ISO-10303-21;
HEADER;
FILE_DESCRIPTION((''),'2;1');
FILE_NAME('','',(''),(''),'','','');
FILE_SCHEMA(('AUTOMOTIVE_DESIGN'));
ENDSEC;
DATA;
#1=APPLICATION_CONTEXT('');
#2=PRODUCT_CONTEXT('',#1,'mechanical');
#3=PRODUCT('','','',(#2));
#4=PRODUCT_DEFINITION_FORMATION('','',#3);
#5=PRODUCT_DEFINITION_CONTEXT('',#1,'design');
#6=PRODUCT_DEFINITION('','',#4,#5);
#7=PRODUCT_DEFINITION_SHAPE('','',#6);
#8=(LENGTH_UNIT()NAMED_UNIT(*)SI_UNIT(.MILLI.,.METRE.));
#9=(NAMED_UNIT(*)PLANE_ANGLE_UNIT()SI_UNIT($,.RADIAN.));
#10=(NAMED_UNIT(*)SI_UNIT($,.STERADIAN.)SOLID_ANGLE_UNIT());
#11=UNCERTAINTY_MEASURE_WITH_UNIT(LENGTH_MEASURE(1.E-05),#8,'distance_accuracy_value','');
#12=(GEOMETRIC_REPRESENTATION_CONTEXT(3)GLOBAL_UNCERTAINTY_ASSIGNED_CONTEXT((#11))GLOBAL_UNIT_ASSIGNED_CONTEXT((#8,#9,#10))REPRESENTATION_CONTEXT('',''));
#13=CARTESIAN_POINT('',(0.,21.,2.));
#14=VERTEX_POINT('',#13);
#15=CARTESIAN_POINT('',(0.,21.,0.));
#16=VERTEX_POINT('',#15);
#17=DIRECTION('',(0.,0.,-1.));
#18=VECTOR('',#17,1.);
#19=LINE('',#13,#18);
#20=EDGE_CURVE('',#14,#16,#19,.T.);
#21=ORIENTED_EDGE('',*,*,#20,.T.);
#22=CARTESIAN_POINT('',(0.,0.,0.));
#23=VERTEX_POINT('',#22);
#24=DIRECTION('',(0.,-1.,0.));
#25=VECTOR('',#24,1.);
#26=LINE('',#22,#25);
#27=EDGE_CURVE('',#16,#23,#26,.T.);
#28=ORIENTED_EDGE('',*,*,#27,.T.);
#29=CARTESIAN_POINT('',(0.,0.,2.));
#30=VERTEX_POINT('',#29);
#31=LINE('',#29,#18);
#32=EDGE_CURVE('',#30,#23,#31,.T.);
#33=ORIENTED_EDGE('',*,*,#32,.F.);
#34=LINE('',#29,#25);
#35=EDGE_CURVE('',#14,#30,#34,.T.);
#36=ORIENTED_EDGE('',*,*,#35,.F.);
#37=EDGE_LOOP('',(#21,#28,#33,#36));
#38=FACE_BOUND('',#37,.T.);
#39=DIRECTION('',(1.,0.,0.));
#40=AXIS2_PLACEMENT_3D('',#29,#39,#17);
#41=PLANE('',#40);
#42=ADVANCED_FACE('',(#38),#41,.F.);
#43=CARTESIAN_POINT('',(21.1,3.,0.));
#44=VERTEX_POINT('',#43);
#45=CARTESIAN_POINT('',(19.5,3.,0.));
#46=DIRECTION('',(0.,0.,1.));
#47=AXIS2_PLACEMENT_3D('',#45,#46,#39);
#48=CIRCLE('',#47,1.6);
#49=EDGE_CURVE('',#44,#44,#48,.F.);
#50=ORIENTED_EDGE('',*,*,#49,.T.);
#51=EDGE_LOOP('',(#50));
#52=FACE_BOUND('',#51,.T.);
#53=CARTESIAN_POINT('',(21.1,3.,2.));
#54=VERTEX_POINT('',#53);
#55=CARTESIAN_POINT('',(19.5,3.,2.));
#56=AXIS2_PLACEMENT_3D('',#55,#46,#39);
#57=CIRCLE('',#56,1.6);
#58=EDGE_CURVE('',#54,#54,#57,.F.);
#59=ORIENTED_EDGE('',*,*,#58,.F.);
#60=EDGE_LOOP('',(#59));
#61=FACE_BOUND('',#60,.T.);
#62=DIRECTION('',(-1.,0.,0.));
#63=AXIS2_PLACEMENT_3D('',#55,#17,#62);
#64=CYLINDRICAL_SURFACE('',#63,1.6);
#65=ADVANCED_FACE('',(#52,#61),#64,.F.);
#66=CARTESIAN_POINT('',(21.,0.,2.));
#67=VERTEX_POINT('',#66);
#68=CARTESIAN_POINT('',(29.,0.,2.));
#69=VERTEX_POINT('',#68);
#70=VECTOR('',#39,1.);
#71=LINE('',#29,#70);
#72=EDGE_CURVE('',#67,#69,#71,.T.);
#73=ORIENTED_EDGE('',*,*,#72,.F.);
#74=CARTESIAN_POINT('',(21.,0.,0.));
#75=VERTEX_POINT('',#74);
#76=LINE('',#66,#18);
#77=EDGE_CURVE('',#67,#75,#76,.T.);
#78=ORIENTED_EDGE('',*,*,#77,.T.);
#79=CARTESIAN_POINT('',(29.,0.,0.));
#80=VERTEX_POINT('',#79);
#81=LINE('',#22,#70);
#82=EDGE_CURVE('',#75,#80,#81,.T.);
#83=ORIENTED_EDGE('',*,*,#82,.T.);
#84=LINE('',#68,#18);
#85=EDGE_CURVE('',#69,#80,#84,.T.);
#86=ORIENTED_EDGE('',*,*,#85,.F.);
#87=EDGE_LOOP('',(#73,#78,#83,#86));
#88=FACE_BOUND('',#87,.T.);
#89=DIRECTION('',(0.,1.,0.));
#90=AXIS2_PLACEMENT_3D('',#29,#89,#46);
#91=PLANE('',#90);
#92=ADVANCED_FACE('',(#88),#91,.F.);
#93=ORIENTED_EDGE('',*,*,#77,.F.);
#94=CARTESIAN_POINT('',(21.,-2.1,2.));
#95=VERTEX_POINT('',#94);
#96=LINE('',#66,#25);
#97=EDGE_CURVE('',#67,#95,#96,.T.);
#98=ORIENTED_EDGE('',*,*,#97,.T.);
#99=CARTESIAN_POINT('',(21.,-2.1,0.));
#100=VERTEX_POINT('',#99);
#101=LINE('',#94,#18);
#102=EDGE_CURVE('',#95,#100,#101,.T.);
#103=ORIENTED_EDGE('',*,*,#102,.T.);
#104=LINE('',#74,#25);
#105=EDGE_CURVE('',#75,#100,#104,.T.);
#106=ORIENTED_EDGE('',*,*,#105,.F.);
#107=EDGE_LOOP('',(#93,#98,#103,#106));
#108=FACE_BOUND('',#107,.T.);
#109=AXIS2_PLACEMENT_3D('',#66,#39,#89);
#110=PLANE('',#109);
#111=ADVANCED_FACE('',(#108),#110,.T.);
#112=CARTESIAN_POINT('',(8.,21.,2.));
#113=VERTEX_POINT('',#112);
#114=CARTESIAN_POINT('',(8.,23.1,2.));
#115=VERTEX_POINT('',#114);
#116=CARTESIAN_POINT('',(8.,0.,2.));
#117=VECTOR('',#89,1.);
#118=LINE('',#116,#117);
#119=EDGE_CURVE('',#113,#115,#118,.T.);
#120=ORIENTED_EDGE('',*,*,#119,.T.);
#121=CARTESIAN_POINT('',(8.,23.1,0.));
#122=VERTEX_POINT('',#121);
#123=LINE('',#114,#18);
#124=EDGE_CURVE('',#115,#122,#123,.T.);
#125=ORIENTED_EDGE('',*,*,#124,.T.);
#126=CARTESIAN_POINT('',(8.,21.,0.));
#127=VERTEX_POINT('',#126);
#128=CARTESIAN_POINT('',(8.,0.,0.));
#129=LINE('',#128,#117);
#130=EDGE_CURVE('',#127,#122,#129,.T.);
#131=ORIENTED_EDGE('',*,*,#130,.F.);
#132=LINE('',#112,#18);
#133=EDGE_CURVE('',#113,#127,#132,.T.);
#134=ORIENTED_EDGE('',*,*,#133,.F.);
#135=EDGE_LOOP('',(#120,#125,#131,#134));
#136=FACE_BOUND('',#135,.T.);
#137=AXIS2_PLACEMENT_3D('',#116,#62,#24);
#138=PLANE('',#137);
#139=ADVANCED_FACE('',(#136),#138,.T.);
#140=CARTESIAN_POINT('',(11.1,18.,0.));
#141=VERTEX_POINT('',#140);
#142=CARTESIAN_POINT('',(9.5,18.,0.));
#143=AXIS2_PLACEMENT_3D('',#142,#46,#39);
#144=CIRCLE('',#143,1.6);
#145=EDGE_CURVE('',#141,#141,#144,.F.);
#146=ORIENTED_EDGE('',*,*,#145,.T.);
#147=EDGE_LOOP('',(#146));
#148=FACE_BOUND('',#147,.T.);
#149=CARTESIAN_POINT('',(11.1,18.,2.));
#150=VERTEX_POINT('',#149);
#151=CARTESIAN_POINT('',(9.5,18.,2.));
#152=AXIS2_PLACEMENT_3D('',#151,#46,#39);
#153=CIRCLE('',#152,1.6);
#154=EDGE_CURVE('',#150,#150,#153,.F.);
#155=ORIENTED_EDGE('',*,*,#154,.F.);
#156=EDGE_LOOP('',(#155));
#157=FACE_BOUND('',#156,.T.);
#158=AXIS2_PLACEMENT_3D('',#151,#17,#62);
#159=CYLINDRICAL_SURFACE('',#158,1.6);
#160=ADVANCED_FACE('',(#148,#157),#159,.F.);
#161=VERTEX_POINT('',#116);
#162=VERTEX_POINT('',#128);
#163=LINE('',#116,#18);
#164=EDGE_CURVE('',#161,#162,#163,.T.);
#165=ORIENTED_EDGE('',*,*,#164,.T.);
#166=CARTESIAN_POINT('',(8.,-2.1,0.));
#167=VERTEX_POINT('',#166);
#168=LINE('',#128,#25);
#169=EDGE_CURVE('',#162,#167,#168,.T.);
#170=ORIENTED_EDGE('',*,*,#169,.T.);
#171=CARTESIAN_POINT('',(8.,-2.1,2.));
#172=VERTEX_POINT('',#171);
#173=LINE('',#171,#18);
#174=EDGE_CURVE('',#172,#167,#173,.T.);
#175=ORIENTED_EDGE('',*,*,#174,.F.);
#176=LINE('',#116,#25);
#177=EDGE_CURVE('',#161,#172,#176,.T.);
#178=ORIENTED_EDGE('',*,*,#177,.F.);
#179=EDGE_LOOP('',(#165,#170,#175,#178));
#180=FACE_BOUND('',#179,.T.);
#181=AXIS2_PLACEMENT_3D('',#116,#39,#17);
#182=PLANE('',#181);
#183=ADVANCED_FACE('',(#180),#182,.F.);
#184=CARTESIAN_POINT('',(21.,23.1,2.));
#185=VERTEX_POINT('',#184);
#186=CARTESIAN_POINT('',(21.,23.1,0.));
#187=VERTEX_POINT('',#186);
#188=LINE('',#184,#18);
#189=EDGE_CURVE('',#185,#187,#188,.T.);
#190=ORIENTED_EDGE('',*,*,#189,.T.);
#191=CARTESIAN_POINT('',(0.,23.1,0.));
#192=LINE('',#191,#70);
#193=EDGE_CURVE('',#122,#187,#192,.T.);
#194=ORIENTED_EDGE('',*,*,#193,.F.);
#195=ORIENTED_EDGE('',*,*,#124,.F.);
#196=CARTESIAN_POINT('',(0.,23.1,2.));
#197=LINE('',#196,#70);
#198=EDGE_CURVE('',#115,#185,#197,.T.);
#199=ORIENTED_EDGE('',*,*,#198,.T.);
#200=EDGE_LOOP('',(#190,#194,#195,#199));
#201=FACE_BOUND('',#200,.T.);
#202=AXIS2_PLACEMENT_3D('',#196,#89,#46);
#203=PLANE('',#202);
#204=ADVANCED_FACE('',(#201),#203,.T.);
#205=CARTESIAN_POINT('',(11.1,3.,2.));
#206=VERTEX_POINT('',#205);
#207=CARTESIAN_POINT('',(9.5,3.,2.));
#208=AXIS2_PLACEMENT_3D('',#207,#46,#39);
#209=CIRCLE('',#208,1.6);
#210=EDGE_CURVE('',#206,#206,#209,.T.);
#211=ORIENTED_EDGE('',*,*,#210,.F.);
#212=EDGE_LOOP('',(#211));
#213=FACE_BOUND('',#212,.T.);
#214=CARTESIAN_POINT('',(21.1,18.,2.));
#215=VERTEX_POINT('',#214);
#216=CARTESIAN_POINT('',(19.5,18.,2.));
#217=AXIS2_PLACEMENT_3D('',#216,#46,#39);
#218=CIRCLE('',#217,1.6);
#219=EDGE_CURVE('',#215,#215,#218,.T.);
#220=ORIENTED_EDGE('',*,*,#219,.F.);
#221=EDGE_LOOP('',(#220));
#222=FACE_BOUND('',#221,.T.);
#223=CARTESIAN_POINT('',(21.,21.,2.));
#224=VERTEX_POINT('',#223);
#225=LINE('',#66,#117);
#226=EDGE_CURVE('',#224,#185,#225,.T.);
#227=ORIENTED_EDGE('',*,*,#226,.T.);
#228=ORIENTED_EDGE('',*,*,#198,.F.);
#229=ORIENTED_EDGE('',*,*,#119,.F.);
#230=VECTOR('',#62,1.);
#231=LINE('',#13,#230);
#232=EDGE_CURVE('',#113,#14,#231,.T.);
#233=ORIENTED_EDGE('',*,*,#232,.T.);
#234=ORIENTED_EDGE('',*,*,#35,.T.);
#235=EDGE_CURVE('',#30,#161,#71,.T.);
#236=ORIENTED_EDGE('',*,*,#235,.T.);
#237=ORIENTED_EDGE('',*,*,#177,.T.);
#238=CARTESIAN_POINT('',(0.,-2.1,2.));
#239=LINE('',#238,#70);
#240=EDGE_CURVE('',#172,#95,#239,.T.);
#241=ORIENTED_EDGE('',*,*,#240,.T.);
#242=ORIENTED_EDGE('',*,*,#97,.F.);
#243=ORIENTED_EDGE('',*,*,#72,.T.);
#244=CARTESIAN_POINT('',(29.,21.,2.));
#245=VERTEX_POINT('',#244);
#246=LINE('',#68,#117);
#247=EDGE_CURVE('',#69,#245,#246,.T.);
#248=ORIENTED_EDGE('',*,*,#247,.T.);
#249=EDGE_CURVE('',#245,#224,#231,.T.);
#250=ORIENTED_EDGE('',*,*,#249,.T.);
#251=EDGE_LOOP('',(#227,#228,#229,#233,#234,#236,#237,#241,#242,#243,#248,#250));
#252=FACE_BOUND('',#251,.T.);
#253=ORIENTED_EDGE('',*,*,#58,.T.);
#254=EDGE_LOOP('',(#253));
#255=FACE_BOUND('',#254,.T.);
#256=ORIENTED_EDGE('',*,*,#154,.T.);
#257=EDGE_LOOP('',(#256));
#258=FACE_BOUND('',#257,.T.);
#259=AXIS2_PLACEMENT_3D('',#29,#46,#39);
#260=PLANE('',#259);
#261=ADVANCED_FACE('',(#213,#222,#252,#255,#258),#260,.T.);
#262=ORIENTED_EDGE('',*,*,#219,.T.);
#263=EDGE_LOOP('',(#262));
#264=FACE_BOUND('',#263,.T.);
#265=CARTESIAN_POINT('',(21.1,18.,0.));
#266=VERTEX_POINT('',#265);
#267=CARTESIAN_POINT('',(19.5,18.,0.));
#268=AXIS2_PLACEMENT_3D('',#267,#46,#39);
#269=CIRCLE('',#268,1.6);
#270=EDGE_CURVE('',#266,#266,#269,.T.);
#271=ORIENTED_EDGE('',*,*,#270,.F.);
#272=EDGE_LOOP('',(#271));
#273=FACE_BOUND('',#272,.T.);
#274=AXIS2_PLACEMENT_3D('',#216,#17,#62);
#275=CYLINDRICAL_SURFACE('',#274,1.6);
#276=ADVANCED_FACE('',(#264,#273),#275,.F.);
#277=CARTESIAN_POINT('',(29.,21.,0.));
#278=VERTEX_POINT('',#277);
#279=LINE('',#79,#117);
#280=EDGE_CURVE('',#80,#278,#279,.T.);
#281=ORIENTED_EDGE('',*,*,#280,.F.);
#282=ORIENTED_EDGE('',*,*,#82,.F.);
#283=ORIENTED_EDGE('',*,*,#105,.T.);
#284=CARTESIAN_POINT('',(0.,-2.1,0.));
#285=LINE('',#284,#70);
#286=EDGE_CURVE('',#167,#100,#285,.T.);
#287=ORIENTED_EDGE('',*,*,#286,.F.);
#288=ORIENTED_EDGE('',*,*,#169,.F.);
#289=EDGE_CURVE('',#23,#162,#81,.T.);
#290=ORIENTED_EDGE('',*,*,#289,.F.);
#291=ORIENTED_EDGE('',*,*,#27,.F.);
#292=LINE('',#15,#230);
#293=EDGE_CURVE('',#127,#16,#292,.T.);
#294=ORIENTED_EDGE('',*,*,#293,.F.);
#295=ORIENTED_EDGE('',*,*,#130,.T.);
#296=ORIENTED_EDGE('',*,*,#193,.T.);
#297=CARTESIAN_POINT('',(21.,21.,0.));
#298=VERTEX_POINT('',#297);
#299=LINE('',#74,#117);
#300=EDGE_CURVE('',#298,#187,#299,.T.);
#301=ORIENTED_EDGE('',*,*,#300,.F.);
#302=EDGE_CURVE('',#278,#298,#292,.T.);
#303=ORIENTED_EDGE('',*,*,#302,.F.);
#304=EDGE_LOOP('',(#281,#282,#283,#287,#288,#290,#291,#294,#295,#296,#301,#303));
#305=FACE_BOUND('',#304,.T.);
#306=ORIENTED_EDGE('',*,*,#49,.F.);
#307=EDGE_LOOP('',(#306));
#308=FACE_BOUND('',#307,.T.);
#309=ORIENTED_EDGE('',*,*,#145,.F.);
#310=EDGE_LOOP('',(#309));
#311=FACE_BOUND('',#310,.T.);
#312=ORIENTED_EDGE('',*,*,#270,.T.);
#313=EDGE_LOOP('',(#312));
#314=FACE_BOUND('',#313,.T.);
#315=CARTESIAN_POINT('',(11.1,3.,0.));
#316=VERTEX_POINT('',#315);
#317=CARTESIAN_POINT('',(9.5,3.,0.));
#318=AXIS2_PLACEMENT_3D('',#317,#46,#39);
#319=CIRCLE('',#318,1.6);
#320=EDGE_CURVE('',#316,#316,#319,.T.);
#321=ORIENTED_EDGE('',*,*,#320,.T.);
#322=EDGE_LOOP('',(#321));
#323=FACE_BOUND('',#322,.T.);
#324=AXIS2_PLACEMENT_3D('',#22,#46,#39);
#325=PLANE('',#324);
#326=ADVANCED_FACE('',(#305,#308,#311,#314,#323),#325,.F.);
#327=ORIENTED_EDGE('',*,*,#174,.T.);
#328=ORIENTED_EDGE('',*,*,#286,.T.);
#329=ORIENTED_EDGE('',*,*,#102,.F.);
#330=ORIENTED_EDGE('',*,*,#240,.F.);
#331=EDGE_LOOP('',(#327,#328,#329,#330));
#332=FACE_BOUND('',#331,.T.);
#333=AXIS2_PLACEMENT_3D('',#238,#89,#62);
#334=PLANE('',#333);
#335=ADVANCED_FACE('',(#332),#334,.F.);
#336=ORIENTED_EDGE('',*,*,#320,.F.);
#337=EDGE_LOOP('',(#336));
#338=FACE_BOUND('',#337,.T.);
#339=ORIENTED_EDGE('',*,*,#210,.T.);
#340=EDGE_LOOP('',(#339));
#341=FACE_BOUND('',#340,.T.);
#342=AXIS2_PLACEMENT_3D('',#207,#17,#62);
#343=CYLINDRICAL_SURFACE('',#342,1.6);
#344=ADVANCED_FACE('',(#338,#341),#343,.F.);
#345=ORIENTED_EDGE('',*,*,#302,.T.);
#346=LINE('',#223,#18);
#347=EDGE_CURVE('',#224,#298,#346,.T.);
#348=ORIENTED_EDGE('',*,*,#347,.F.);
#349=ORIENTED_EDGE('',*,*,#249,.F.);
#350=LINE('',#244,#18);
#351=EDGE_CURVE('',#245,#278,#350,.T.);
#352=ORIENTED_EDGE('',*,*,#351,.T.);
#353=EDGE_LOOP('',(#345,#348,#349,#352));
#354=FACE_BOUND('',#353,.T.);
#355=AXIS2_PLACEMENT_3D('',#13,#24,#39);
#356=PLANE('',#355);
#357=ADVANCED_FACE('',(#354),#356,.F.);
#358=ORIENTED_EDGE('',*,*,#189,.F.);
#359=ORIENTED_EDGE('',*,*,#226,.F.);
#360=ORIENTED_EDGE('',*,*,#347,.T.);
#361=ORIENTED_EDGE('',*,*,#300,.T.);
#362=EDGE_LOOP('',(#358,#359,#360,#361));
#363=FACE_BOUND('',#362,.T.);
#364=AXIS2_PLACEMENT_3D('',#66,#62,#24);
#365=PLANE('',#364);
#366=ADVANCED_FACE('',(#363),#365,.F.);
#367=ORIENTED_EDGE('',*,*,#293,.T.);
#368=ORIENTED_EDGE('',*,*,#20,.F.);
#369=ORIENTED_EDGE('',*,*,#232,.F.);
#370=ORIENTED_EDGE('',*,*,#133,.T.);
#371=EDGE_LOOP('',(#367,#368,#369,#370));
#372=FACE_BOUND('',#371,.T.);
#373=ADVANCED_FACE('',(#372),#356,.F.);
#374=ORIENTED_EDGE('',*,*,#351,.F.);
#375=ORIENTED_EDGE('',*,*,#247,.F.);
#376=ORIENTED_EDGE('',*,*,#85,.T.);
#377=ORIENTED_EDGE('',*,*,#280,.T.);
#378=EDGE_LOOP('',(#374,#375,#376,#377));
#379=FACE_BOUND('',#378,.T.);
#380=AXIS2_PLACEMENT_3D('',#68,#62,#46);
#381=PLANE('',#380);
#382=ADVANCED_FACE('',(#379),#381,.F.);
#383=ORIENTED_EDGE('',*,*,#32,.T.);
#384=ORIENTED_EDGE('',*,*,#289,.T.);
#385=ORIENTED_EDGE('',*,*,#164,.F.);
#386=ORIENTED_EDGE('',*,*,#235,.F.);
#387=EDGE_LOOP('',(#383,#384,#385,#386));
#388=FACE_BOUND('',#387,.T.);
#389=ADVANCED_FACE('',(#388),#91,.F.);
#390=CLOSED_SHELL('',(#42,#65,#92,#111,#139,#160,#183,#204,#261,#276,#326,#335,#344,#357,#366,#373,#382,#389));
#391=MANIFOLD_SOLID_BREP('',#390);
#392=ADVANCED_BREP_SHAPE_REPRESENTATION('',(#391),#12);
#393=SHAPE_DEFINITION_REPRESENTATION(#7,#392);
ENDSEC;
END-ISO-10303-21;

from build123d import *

# Parameters (mm, degrees)
SKETCH_1_W      = 29
SKETCH_1_H      = 21
SKETCH_1_R      = 1.6
SKETCH_1_W_2    = 13
SKETCH_1_H_2    = 2.1
EXTRUDE_1_DEPTH = 2


with BuildPart() as part:
    # 草图1 → 凸台-拉伸1 (new body)
    # profile 1 of 3: a face of its own
    with BuildSketch(Plane.XY):
        with Locations((14.5, 10.5)):
            Rectangle(SKETCH_1_W, SKETCH_1_H)
        with Locations((9.5, 18)):
            Circle(SKETCH_1_R, mode=Mode.SUBTRACT)
        with Locations((19.5, 18)):
            Circle(SKETCH_1_R, mode=Mode.SUBTRACT)
        with Locations((9.5, 3)):
            Circle(SKETCH_1_R, mode=Mode.SUBTRACT)
        with Locations((19.5, 3)):
            Circle(SKETCH_1_R, mode=Mode.SUBTRACT)
    # profile 2 of 3: a face of its own
    with BuildSketch(Plane.XY):
        with Locations((14.5, -1.05)):
            Rectangle(SKETCH_1_W_2, SKETCH_1_H_2)
    # profile 3 of 3: a face of its own
    with BuildSketch(Plane.XY):
        with Locations((14.5, 22.05)):
            Rectangle(SKETCH_1_W_2, SKETCH_1_H_2)
    extrude(amount=EXTRUDE_1_DEPTH)


solid = part.part
